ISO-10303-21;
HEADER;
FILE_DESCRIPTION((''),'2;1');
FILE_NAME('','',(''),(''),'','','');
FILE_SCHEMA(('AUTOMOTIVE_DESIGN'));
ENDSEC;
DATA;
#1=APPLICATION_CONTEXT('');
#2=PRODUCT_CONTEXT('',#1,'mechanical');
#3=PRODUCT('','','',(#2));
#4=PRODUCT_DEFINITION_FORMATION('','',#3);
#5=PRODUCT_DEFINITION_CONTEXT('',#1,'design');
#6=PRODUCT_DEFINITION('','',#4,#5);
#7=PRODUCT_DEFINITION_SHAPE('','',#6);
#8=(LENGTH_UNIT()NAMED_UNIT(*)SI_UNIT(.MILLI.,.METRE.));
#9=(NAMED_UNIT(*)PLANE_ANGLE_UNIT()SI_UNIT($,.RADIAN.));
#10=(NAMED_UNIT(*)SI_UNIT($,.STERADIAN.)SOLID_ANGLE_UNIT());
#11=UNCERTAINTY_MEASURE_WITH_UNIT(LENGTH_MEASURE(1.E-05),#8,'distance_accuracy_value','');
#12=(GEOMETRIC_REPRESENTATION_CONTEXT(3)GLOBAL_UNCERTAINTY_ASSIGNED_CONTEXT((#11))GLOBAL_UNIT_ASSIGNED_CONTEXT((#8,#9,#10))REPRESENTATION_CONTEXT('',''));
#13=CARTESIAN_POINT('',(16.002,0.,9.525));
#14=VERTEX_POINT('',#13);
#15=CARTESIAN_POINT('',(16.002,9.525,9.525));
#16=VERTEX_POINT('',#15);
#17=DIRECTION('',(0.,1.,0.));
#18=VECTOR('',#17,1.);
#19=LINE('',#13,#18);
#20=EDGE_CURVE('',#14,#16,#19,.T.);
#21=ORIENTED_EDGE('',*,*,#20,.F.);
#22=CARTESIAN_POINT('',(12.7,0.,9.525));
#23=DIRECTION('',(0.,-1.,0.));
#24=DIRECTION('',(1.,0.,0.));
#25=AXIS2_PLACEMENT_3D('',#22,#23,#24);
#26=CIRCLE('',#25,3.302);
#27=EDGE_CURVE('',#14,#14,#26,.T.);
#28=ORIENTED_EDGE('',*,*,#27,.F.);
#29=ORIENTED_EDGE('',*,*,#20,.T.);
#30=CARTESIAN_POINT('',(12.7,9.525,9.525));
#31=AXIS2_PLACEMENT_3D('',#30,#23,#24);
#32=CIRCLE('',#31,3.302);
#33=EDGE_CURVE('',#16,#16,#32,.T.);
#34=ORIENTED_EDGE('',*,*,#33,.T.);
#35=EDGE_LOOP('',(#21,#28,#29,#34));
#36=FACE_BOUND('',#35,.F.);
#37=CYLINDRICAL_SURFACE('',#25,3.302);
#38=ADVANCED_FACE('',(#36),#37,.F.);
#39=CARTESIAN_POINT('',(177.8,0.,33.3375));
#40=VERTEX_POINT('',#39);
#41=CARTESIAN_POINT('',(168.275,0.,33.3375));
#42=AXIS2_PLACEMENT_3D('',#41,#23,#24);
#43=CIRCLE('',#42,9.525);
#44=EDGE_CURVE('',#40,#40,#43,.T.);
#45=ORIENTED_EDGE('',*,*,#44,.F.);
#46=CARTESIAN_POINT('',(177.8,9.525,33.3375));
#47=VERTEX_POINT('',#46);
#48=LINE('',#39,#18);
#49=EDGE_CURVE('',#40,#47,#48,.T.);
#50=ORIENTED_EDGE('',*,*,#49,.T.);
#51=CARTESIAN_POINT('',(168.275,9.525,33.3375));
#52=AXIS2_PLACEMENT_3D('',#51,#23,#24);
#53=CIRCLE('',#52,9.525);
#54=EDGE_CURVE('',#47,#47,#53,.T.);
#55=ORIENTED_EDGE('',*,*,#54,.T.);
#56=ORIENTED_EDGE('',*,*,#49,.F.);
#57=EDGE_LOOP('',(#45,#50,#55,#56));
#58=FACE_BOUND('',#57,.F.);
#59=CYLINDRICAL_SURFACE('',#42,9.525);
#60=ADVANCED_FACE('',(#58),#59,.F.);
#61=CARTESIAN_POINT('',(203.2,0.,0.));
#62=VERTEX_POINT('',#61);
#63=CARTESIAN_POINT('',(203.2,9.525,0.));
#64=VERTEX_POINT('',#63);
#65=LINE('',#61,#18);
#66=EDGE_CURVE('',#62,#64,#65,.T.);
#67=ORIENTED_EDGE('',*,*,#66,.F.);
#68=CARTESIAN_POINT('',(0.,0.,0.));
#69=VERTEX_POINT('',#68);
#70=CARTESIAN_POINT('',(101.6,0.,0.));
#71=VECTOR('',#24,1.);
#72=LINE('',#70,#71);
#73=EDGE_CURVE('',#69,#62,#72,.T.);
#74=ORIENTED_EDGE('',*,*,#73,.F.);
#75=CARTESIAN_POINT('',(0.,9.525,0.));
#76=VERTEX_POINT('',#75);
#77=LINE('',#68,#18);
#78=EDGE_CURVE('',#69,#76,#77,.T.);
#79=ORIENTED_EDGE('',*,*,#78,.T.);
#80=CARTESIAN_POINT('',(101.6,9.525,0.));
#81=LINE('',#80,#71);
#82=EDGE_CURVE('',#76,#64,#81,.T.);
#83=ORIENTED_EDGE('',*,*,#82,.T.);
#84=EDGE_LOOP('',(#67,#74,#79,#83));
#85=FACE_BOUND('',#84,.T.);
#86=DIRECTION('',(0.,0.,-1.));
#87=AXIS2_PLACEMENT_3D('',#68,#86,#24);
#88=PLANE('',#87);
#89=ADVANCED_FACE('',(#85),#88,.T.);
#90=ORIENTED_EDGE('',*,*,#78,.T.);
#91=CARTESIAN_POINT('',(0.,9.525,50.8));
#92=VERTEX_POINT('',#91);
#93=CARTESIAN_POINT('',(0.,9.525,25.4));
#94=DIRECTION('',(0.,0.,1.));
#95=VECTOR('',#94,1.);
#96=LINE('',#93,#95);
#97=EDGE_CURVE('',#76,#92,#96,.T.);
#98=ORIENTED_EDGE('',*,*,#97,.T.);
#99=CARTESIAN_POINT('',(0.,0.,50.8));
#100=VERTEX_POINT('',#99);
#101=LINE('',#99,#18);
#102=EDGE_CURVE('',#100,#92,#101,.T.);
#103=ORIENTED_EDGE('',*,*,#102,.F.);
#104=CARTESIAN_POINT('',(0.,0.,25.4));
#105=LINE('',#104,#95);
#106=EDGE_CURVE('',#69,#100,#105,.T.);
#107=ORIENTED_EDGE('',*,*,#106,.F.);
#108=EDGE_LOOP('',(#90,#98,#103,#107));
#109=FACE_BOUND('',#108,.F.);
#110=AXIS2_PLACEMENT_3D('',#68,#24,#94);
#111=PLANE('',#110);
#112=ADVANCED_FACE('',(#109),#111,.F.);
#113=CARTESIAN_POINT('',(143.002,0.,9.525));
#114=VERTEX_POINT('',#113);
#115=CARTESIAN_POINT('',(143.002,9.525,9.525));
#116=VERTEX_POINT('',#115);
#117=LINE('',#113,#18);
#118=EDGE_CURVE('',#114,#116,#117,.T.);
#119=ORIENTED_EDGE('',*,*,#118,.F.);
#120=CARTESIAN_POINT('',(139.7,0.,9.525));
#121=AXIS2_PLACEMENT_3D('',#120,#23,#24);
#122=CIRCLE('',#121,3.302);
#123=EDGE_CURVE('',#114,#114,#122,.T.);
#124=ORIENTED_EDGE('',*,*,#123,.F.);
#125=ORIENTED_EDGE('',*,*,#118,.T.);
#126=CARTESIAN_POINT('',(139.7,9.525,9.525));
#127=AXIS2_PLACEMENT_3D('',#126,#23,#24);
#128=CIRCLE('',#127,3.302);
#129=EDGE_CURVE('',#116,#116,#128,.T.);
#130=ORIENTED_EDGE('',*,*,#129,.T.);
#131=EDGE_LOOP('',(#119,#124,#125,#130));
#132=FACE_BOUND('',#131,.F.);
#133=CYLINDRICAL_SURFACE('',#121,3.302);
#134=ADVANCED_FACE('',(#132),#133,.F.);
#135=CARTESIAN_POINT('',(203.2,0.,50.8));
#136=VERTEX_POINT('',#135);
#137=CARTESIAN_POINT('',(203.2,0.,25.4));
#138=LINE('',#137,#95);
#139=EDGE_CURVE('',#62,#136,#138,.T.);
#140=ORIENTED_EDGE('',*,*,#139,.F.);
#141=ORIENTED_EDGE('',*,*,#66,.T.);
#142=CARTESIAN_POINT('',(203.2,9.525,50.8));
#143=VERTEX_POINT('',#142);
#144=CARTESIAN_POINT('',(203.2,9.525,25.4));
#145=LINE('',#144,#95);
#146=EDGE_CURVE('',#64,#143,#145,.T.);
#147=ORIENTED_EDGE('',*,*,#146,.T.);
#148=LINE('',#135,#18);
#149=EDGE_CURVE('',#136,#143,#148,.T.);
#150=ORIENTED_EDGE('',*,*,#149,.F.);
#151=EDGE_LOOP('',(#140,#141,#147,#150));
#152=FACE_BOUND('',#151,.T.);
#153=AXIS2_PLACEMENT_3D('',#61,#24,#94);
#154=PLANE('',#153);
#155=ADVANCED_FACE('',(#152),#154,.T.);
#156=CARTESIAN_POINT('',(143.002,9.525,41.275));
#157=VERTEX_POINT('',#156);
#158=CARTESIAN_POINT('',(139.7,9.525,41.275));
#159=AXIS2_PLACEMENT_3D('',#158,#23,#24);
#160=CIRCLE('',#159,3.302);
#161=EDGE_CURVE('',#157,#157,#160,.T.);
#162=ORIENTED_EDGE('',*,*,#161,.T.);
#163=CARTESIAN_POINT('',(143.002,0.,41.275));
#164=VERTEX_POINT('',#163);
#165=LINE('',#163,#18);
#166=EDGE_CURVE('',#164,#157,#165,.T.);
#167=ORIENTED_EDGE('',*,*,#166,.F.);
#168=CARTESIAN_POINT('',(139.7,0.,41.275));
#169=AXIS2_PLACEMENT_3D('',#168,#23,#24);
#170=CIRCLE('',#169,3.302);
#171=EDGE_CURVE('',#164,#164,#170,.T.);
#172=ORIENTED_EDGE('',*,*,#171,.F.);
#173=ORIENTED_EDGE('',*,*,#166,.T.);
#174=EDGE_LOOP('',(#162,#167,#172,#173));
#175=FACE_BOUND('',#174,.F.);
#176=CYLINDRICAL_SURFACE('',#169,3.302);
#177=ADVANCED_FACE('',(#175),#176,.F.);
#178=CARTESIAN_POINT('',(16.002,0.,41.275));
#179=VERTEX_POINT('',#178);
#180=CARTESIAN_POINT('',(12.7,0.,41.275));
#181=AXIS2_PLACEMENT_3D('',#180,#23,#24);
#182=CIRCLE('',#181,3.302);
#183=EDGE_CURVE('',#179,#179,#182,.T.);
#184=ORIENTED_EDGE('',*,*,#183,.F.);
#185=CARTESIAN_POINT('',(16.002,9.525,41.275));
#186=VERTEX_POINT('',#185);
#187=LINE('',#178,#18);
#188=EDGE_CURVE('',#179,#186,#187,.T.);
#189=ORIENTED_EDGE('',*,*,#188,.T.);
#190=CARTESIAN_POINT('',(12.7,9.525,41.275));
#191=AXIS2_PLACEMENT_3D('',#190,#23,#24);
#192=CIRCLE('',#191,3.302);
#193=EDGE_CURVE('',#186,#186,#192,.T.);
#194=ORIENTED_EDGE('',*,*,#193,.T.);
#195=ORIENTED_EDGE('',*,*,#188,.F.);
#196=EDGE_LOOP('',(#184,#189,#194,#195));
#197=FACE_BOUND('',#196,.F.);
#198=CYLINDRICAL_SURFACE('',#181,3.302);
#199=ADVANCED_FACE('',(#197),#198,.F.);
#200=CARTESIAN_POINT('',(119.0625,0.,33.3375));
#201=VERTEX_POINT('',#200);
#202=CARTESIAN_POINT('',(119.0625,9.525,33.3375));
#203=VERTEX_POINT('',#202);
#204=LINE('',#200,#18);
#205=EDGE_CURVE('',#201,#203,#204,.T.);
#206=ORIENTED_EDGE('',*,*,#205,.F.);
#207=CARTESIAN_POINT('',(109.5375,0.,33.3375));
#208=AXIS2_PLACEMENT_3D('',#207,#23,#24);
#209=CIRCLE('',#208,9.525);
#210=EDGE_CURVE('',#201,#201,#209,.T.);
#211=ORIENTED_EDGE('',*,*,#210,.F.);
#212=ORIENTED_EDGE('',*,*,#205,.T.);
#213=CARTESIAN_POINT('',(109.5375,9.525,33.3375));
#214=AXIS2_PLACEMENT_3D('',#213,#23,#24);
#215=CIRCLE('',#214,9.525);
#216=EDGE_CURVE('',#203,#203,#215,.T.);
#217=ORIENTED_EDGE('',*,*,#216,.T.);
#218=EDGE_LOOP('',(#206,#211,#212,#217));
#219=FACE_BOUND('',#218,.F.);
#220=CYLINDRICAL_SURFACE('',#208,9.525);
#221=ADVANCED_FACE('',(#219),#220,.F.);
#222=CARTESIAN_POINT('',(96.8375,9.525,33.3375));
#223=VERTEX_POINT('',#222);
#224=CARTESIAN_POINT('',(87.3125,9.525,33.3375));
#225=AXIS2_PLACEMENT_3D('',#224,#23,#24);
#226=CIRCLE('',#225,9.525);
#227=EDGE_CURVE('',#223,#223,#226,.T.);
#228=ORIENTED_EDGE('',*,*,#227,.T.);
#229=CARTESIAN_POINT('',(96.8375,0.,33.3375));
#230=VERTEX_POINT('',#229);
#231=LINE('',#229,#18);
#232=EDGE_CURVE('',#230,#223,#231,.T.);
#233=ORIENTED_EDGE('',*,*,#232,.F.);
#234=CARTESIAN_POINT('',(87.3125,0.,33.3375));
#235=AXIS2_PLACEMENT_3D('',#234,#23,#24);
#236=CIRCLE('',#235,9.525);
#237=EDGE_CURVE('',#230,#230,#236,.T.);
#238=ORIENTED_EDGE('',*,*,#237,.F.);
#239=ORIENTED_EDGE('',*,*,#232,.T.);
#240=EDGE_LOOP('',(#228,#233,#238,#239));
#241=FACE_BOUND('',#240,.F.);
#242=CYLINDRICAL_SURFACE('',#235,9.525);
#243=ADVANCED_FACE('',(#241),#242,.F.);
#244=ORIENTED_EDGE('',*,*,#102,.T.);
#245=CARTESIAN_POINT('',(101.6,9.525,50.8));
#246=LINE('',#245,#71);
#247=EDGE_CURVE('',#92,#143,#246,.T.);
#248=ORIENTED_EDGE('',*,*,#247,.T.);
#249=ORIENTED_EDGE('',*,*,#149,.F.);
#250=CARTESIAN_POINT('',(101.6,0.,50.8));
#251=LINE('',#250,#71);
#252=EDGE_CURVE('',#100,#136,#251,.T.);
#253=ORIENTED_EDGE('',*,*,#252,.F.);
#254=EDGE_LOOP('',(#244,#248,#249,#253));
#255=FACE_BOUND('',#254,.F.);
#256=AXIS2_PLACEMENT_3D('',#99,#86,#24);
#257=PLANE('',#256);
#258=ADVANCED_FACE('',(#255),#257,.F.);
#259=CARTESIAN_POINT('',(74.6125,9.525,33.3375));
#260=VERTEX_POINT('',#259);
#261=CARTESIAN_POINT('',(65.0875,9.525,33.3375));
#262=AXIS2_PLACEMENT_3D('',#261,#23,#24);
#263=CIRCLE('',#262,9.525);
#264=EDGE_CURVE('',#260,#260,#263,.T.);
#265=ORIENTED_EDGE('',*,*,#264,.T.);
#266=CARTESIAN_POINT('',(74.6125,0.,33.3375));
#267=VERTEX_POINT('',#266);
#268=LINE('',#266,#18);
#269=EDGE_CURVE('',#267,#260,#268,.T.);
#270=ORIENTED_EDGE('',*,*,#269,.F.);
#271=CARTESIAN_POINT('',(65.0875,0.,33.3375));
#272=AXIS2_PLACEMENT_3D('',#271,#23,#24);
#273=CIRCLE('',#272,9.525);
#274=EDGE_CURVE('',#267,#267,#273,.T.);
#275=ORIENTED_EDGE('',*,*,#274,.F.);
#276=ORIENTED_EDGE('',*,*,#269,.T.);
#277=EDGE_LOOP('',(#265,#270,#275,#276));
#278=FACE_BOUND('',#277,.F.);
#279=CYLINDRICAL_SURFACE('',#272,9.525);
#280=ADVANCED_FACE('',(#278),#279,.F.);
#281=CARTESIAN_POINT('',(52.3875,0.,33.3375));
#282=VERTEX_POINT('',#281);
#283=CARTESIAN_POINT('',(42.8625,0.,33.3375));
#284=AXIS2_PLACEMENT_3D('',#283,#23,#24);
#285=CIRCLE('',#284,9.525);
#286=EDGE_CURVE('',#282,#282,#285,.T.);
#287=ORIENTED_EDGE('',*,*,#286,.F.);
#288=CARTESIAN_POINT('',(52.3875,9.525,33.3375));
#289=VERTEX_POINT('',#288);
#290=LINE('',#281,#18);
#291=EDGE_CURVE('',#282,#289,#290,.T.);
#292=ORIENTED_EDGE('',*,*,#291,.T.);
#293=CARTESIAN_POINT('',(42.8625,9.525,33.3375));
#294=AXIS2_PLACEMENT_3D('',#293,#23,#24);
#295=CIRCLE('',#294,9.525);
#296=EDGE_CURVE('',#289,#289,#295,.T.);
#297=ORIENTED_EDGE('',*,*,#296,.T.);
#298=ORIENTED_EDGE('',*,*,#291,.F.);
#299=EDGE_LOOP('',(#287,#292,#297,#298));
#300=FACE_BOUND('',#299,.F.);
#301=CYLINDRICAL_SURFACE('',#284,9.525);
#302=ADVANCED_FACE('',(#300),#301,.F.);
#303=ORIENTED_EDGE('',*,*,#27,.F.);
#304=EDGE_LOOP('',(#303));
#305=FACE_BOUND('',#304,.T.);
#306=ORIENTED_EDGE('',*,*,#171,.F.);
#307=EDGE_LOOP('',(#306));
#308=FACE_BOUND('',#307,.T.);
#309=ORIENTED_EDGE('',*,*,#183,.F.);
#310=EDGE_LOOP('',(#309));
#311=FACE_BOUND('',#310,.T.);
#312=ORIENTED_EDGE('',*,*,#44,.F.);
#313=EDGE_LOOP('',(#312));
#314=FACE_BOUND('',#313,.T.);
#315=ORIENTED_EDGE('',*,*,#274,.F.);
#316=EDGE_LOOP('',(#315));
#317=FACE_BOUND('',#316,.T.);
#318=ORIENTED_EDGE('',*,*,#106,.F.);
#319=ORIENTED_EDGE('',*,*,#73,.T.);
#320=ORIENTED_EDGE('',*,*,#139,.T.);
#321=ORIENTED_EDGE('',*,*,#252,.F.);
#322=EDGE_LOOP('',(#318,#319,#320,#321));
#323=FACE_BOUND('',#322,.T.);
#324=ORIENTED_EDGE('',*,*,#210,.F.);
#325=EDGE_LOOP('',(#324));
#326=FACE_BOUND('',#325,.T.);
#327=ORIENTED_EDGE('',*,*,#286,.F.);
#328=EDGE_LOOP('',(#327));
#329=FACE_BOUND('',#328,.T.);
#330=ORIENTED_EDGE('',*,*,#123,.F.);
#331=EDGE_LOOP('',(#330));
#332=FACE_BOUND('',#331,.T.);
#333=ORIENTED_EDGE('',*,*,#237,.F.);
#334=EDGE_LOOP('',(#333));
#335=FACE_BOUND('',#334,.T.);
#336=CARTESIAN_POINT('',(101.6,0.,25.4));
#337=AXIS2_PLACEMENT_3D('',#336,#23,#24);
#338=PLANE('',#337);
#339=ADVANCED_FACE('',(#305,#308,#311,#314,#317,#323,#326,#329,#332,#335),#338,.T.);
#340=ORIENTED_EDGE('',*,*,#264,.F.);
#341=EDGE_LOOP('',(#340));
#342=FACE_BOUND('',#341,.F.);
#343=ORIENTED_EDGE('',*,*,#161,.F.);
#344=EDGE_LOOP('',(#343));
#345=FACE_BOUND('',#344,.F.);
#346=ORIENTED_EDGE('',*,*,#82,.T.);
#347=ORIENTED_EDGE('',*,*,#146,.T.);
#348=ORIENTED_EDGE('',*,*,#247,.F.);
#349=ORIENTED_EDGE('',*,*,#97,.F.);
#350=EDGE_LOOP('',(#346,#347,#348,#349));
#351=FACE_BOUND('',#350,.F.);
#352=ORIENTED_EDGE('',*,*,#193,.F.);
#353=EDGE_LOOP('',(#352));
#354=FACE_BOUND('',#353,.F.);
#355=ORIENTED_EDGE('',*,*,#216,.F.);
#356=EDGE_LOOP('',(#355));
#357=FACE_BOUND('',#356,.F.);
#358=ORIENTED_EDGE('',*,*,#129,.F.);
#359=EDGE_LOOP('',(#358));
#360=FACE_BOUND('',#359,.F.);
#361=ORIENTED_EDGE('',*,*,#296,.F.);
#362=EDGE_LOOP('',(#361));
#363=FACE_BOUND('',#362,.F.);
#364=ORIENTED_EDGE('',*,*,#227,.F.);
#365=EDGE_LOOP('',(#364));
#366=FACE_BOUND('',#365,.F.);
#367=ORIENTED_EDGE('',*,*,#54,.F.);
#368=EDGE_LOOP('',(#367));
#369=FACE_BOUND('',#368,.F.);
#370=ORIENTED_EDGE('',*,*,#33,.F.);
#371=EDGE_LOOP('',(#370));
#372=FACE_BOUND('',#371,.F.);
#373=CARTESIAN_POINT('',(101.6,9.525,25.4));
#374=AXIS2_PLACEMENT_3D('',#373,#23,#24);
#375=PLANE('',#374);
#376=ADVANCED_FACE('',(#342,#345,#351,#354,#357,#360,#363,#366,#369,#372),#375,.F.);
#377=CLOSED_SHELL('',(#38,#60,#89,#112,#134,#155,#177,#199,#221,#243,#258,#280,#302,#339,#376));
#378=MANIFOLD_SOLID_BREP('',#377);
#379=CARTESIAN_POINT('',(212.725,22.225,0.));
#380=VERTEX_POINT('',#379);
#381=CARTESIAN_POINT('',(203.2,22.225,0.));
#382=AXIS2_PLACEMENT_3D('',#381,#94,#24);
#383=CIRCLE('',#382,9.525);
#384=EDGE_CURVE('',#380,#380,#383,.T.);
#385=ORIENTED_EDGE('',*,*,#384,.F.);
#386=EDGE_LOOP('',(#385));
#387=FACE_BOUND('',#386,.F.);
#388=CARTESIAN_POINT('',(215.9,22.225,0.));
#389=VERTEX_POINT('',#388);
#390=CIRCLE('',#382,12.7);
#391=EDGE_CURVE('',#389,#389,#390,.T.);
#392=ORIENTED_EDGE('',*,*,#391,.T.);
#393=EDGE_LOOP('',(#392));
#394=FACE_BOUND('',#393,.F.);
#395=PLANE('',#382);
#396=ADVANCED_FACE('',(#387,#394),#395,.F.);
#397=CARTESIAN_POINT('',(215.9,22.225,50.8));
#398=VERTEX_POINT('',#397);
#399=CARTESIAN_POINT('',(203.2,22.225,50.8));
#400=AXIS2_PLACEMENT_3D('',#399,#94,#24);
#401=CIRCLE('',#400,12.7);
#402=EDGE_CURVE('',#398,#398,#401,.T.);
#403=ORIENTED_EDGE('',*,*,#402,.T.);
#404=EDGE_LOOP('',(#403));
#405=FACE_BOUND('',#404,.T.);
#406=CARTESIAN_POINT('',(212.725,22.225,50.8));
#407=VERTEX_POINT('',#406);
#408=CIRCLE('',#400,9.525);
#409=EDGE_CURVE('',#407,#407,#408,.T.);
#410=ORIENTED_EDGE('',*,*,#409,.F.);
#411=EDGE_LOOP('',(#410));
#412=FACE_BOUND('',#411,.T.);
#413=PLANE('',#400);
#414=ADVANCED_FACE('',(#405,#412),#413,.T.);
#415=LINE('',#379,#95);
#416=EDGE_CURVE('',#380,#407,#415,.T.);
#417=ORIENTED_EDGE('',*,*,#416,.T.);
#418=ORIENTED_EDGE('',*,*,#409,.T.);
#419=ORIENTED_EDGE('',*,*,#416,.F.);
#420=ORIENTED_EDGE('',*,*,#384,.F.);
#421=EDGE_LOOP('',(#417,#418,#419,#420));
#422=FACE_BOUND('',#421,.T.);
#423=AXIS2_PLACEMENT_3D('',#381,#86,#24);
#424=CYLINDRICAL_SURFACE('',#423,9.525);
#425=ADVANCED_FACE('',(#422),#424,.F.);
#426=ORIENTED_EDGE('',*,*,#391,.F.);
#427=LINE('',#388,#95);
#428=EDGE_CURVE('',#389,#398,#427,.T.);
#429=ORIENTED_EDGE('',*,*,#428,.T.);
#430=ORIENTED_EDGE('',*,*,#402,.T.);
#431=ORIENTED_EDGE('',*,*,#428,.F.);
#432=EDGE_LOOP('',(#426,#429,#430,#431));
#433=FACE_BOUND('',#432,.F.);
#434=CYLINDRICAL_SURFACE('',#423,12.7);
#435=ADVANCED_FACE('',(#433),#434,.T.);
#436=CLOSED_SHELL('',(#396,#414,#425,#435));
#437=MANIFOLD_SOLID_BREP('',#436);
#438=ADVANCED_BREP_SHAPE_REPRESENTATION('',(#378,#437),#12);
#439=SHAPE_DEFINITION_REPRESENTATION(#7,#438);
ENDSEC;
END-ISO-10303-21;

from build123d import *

# Parameters (mm, degrees)
F0_W     = 203.2
F0_H     = 50.8
F0_R     = 3.302
F0_R_2   = 9.525
F1_DEPTH = 9.525
F2_R     = 12.7
F2_R_2   = 9.525
F3_DEPTH = 50.8


with BuildPart() as f1:
    # F0 (on Front) → F1 (new body)
    with BuildSketch(Plane.XZ):
        with Locations((101.6, 25.4)):
            Rectangle(F0_W, F0_H)
        with Locations((12.7, 9.525)):
            Circle(F0_R, mode=Mode.SUBTRACT)
        with Locations((139.7, 9.525)):
            Circle(F0_R, mode=Mode.SUBTRACT)
        with Locations((42.8625, 33.3375)):
            Circle(F0_R_2, mode=Mode.SUBTRACT)
        with Locations((65.0875, 33.3375)):
            Circle(F0_R_2, mode=Mode.SUBTRACT)
        with Locations((87.3125, 33.3375)):
            Circle(F0_R_2, mode=Mode.SUBTRACT)
        with Locations((12.7, 41.275)):
            Circle(F0_R, mode=Mode.SUBTRACT)
        with Locations((109.5375, 33.3375)):
            Circle(F0_R_2, mode=Mode.SUBTRACT)
        with Locations((168.275, 33.3375)):
            Circle(F0_R_2, mode=Mode.SUBTRACT)
        with Locations((139.7, 41.275)):
            Circle(F0_R, mode=Mode.SUBTRACT)
    extrude(amount=-F1_DEPTH)


with BuildPart() as f3:
    # F2 (on Top) → F3 (new body)
    with BuildSketch(Plane.XY):
        with Locations((203.2, 22.225)):
            Circle(F2_R)
        with Locations((203.2, 22.225)):
            Circle(F2_R_2, mode=Mode.SUBTRACT)
    extrude(amount=F3_DEPTH)


solid = Compound([f1.part, f3.part])
